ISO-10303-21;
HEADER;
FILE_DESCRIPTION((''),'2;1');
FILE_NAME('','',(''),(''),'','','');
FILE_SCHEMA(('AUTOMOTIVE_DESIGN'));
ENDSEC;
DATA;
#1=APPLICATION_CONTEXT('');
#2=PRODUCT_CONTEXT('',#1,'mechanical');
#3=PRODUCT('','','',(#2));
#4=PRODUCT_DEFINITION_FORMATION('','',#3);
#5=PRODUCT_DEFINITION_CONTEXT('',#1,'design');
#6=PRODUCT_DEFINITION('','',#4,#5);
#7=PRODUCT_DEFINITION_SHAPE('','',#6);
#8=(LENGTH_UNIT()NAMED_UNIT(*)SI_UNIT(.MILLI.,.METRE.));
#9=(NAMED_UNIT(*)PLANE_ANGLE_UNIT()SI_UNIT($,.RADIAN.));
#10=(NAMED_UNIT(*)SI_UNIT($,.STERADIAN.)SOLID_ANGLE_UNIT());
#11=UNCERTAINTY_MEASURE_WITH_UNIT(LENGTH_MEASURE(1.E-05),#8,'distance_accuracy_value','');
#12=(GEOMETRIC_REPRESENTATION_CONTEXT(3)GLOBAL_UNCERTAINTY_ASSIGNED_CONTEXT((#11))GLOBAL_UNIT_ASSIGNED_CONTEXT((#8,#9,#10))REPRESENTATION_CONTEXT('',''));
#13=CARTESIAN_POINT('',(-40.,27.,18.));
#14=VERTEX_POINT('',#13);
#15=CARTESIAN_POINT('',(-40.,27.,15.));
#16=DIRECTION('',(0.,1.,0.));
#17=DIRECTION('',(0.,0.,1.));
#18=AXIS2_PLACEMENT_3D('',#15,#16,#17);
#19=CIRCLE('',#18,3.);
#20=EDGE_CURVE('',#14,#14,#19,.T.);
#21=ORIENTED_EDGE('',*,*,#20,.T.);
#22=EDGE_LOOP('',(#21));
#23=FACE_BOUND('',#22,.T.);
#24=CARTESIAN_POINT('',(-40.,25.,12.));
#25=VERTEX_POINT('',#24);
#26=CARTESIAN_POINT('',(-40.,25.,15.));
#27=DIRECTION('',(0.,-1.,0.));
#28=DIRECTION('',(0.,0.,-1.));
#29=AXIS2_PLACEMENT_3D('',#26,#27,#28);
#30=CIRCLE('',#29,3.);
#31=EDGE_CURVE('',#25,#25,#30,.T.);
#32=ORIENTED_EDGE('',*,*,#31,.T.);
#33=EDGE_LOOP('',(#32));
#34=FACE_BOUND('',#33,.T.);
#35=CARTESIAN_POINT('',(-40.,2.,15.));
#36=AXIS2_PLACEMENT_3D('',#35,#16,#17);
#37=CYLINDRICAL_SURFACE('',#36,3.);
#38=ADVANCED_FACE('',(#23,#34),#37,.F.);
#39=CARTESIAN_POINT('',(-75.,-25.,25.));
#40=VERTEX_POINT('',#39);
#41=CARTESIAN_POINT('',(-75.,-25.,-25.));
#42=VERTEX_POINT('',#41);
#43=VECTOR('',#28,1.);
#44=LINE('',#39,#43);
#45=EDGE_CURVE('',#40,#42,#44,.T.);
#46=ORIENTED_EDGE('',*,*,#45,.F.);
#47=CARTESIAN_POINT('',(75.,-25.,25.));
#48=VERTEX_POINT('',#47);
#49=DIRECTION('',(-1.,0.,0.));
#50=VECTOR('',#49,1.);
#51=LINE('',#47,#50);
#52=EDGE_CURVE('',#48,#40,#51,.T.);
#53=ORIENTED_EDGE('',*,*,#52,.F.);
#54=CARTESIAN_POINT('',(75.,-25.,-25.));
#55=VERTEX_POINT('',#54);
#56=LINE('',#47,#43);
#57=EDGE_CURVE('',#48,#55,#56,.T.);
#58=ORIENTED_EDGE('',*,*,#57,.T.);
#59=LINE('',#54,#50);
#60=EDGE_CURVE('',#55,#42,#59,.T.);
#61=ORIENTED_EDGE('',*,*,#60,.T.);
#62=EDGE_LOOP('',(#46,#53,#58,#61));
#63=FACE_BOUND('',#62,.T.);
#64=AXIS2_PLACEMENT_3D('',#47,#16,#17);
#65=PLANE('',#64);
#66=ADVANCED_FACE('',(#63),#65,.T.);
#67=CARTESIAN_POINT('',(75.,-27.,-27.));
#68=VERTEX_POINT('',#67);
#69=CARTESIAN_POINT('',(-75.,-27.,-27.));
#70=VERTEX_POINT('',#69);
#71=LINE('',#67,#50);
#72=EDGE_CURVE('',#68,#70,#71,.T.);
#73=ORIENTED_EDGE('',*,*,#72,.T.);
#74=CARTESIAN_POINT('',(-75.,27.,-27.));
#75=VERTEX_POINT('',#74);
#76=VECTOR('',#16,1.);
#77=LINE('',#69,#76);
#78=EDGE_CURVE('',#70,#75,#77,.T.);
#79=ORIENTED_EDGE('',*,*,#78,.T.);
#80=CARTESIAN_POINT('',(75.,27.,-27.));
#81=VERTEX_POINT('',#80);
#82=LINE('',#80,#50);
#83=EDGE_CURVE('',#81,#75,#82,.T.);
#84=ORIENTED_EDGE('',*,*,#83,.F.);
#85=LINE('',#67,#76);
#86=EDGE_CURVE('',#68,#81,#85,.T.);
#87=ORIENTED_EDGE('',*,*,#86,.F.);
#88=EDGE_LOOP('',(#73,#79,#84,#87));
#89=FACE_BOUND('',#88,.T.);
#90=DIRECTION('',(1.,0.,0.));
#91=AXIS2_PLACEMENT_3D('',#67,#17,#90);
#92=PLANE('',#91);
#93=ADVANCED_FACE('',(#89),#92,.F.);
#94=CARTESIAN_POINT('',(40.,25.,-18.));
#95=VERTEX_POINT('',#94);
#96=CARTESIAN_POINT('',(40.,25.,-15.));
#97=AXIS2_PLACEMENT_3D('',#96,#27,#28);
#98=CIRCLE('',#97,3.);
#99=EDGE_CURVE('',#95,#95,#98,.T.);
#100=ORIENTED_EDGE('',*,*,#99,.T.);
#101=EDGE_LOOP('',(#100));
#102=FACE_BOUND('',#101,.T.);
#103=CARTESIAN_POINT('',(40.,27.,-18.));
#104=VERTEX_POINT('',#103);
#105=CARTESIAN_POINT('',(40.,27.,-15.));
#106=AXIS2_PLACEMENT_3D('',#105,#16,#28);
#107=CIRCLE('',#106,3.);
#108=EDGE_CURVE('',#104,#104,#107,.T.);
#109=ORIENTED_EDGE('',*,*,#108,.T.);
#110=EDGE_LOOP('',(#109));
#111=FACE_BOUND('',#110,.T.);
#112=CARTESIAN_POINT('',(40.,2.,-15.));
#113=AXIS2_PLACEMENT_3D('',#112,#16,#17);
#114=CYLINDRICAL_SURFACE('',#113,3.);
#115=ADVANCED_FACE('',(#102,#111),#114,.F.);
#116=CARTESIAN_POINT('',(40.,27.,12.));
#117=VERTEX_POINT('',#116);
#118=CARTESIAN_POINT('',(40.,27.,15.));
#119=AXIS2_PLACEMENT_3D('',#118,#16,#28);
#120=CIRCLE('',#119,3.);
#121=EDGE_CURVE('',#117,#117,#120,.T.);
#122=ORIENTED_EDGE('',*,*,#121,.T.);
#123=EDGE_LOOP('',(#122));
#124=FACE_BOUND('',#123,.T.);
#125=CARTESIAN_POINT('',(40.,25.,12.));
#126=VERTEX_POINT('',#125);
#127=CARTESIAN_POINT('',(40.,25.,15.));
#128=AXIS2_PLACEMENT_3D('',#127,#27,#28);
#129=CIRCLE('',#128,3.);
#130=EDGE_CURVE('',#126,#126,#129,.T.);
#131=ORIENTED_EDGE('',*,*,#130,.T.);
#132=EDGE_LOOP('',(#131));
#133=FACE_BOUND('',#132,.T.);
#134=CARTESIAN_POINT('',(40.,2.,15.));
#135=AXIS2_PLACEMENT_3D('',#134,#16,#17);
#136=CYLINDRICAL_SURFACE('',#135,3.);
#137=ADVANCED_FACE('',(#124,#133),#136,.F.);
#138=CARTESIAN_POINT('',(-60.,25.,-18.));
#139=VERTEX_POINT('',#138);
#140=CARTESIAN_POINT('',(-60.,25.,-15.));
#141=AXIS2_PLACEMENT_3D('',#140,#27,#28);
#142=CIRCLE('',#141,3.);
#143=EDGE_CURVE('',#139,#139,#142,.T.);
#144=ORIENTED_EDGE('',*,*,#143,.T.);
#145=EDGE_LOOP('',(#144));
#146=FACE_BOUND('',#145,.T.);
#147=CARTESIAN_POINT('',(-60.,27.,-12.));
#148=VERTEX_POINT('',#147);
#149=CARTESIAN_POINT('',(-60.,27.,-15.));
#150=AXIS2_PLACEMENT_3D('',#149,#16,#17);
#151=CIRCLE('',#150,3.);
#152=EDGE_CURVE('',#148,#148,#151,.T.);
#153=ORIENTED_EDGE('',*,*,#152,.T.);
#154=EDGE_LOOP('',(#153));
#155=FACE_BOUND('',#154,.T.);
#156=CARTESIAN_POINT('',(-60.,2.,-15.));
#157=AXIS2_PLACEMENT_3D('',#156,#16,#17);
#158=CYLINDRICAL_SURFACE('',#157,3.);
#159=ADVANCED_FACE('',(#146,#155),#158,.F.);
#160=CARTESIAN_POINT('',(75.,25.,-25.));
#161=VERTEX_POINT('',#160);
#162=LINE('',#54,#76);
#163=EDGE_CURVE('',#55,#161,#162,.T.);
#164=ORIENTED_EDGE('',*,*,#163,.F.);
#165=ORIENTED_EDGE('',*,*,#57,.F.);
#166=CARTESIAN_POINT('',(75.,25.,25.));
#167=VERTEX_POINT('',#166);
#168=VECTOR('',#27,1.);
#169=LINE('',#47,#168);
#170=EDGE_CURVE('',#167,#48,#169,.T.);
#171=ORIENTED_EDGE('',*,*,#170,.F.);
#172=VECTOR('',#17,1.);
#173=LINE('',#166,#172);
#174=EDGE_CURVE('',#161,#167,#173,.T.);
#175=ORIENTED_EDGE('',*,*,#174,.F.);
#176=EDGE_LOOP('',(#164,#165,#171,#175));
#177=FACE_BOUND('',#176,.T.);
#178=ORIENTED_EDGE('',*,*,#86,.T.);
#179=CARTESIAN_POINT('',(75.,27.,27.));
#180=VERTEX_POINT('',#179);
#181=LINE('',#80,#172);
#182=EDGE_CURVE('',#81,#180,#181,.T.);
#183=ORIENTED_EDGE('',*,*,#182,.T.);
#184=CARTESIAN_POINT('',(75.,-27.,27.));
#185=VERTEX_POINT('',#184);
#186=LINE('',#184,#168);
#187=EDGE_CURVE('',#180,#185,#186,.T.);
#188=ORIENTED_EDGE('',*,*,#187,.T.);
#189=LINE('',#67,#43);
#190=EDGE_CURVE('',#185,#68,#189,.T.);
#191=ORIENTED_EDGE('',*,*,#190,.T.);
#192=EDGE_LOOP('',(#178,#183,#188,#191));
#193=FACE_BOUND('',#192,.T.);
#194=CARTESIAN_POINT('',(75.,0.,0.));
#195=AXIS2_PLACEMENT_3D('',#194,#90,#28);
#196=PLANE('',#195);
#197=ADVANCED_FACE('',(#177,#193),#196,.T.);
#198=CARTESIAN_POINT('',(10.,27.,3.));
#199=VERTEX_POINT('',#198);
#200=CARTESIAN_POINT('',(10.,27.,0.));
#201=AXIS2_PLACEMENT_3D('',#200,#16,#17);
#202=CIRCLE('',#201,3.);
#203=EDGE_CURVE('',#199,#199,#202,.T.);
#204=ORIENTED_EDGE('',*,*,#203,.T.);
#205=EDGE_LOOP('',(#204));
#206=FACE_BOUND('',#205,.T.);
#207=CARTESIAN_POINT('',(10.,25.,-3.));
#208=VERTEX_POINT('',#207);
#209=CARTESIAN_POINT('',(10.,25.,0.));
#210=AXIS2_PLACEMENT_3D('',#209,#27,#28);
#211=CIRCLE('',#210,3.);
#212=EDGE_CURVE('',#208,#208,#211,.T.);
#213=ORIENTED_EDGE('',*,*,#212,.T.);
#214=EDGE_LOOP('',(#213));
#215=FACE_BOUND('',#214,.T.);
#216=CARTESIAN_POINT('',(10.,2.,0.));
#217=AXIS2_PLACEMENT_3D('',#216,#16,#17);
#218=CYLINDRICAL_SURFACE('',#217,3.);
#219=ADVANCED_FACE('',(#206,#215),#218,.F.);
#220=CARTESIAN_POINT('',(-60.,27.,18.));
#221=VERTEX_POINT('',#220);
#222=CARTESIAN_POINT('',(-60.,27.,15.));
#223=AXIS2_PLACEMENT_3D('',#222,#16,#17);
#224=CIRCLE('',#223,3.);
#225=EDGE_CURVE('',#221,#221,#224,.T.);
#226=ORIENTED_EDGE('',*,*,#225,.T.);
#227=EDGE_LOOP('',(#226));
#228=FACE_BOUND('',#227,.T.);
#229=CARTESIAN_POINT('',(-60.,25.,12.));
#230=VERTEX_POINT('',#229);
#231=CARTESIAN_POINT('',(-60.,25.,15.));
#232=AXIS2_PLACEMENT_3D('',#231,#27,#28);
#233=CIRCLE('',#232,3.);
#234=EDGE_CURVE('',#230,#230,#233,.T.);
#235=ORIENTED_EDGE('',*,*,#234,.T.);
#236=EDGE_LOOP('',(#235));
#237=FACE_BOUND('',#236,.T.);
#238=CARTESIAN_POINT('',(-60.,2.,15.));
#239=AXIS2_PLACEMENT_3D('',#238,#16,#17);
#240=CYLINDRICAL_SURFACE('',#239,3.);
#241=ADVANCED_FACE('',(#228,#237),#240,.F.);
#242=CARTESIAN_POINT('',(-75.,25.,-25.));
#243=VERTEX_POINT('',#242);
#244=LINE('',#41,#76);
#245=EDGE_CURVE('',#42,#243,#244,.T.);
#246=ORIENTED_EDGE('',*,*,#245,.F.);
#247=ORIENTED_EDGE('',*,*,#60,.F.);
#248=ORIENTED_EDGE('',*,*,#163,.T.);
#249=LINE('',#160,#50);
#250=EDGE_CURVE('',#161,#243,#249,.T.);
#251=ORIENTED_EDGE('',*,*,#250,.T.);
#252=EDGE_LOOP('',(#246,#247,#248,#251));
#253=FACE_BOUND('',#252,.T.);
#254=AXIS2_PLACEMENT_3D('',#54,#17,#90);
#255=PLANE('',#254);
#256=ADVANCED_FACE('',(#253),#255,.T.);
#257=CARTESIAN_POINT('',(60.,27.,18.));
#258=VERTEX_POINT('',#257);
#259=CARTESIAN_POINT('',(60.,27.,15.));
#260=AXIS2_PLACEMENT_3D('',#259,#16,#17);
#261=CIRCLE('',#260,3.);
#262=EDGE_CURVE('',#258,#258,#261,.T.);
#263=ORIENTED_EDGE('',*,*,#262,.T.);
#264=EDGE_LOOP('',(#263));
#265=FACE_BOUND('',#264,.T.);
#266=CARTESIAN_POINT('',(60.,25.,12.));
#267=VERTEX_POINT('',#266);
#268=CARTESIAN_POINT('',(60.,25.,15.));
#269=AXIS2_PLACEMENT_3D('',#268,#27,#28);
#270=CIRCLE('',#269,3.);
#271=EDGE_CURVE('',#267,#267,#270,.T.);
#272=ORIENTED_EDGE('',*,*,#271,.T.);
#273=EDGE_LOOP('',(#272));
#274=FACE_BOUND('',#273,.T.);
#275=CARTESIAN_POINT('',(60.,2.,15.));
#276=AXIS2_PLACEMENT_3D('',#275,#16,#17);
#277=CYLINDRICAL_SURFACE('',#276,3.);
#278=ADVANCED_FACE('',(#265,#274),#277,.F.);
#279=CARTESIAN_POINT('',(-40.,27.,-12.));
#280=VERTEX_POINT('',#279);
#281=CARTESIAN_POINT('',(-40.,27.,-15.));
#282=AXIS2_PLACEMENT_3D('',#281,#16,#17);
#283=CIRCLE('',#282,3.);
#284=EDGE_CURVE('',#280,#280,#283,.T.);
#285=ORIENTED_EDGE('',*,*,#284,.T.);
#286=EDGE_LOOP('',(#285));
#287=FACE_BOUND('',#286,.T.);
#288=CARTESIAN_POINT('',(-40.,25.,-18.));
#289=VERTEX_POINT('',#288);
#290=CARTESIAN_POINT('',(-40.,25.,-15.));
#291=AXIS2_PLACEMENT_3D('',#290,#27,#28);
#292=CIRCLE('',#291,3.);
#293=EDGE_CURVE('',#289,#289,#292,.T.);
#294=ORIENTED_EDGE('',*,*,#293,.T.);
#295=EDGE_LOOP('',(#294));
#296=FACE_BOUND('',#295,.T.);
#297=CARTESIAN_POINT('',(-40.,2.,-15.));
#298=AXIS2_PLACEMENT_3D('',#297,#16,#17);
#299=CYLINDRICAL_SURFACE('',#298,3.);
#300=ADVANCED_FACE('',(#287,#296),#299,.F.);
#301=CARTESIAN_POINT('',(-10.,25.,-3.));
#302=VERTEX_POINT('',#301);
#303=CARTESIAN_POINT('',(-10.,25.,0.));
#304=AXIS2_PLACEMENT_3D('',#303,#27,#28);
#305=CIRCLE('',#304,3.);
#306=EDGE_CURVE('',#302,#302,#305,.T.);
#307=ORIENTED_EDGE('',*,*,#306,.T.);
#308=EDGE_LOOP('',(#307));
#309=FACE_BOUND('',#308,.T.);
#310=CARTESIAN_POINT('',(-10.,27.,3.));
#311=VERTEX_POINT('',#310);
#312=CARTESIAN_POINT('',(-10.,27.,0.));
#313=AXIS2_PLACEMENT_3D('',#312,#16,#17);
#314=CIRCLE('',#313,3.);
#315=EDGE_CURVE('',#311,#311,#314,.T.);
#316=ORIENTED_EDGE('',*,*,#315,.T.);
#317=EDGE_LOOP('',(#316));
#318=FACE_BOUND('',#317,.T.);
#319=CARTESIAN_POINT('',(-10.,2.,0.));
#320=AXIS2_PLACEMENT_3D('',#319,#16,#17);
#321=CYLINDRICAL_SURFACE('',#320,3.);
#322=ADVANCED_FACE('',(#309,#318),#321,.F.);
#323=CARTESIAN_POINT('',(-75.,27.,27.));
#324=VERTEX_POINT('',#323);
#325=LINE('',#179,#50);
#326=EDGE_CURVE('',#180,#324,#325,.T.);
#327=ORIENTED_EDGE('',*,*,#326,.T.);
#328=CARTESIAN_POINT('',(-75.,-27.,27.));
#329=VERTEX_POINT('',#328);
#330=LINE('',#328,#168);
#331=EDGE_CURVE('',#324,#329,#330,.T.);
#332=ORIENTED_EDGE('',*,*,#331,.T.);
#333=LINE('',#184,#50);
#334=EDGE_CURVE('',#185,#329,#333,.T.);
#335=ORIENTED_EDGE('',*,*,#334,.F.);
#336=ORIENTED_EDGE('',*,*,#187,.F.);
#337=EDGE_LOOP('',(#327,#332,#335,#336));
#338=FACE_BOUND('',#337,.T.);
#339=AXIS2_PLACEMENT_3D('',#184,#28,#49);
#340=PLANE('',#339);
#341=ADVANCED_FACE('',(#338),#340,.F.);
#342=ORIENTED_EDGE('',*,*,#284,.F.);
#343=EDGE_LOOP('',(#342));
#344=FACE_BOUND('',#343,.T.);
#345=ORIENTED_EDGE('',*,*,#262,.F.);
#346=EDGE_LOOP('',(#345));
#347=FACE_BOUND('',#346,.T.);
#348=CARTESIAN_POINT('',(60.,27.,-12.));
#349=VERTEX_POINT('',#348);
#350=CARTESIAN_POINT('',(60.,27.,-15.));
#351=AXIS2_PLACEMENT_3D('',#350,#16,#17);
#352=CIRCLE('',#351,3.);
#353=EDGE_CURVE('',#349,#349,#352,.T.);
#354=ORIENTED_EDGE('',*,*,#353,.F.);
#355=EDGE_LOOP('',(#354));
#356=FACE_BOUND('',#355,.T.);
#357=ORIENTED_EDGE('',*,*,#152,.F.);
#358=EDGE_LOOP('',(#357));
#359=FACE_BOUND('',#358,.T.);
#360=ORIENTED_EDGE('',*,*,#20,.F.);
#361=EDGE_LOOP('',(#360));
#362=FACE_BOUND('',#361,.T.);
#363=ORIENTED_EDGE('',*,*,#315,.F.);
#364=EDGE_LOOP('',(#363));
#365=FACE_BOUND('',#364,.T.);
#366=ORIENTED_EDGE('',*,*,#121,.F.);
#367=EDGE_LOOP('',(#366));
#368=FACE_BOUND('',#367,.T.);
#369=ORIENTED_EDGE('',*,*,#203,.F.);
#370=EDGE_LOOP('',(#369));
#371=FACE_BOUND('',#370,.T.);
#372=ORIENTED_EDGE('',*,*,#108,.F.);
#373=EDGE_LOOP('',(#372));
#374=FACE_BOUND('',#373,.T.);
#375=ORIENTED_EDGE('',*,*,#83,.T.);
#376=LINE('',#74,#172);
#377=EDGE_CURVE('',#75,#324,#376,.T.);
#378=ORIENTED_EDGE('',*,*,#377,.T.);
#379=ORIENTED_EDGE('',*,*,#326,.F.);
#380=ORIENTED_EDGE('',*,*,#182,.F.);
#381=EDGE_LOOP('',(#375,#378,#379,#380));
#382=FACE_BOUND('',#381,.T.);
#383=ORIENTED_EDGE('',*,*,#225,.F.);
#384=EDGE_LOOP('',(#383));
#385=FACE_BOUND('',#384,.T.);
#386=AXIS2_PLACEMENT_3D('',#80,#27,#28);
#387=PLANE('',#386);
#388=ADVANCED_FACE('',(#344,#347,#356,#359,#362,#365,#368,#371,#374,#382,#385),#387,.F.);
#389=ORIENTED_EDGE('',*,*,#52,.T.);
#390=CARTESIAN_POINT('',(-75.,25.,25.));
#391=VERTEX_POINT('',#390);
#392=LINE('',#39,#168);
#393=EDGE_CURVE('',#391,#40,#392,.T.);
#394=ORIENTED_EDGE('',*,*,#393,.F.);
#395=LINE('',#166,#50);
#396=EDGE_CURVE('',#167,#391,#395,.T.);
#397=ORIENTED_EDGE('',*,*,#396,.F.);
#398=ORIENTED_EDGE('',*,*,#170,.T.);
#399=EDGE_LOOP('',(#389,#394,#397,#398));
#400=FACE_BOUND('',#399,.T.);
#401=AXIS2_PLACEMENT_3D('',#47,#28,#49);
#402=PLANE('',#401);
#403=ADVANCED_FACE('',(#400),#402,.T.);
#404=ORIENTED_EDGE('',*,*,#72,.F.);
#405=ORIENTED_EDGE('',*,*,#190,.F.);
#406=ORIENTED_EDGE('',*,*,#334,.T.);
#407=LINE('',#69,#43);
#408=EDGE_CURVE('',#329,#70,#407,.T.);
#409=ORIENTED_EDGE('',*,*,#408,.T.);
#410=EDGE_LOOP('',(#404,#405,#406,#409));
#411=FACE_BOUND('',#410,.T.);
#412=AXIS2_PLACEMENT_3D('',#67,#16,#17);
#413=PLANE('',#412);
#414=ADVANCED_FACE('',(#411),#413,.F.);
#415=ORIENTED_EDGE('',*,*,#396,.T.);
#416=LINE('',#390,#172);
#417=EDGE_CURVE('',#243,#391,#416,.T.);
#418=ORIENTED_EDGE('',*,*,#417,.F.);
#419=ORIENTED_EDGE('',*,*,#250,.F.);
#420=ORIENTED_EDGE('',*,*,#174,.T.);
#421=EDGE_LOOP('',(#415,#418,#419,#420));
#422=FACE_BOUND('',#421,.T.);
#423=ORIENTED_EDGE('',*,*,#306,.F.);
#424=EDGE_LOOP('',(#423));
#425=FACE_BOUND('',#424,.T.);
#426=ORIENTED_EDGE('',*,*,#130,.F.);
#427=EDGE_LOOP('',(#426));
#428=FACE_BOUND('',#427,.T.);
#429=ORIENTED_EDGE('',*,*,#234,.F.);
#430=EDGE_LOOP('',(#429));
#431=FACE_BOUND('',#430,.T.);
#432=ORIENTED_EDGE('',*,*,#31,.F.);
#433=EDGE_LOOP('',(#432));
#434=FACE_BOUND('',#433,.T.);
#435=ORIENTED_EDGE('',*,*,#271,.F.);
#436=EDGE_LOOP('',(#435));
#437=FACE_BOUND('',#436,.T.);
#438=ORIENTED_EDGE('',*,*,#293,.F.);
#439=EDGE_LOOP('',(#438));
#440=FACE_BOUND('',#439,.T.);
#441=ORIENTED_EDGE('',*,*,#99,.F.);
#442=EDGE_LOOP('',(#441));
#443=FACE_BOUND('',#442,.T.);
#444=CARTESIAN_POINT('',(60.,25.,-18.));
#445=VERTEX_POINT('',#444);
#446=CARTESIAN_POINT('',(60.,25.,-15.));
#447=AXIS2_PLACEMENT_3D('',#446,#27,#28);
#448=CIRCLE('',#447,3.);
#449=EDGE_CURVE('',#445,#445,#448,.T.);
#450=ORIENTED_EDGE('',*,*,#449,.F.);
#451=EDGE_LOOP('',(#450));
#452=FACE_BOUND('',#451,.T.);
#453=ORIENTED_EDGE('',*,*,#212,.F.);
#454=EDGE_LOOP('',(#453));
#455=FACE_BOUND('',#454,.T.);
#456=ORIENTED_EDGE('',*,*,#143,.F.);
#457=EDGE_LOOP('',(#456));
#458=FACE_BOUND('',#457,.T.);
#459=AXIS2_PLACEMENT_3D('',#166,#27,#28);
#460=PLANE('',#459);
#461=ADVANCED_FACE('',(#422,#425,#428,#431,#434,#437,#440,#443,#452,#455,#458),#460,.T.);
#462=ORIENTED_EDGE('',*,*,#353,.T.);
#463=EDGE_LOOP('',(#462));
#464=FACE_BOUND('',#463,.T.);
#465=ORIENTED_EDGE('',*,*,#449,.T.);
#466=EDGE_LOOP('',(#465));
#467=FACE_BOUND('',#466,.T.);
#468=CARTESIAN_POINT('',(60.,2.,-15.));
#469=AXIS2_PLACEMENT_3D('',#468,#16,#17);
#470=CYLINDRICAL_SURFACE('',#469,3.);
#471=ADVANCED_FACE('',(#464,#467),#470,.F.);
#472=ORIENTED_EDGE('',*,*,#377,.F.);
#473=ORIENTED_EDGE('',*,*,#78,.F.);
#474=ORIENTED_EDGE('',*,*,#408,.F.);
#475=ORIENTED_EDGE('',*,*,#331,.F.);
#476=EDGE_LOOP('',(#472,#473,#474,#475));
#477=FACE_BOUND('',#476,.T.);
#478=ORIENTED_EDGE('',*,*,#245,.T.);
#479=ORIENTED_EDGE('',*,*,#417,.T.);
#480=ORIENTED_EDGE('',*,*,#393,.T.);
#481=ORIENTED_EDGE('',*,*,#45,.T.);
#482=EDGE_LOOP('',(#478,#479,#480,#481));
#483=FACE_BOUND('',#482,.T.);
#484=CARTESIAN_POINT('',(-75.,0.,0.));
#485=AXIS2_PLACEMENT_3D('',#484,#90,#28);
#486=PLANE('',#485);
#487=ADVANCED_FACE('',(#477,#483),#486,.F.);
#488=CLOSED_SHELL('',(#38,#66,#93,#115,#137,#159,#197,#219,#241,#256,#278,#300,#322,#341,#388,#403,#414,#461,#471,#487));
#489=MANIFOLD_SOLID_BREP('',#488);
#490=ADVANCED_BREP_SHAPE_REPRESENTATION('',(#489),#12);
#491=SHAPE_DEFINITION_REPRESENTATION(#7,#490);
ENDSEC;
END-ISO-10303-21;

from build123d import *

# Parameters (mm, degrees)
SKETCH1_W           = 54
SKETCH1_H           = 54
SKETCH1_W_2         = 50
SKETCH1_H_2         = 50
BOSS_EXTRUDE1_DEPTH = 75
SKETCH2_R           = 3
CUT_EXTRUDE1_DEPTH  = 25
SKETCH3_R           = 3
CUT_EXTRUDE2_DEPTH  = 25


with BuildPart() as part:
    # Sketch1 → Boss-Extrude1 (new, symmetric)
    with BuildSketch(Plane(origin=(0, 0, 0), x_dir=(0, 0, -1), z_dir=(1, 0, 0))):
        Rectangle(SKETCH1_W, SKETCH1_H)
        Rectangle(SKETCH1_W_2, SKETCH1_H_2, mode=Mode.SUBTRACT)
    extrude(amount=BOSS_EXTRUDE1_DEPTH, both=True)

    # Sketch2 → Cut-Extrude1 (cut)
    with BuildSketch(Plane(origin=(0, 27, 0), x_dir=(1, 0, 0), z_dir=(0, 1, 0))):
        with Locations(Location((-60, 15, 0), (0, 0, 270))):
            Circle(SKETCH2_R)
        with Locations(Location((-60, -15, 0), (0, 0, 270))):
            Circle(SKETCH2_R)
        with Locations(Location((60, 15, 0), (0, 0, 270))):
            Circle(SKETCH2_R)
        with Locations(Location((60, -15, 0), (0, 0, 270))):
            Circle(SKETCH2_R)
        with Locations(Location((-40, -15, 0), (0, 0, 270))):
            Circle(SKETCH2_R)
        with Locations(Location((-40, 15, 0), (0, 0, 270))):
            Circle(SKETCH2_R)
        with Locations(Location((40, -15, 0), (0, 0, 90))):
            Circle(SKETCH2_R)
        with Locations(Location((40, 15, 0), (0, 0, 90))):
            Circle(SKETCH2_R)
    extrude(amount=-CUT_EXTRUDE1_DEPTH, mode=Mode.SUBTRACT)

    # Sketch3 → Cut-Extrude2 (cut)
    with BuildSketch(Plane(origin=(0, 27, 0), x_dir=(1, 0, 0), z_dir=(0, 1, 0))):
        with Locations(Location((-10, 0, 0), (0, 0, 270))):
            Circle(SKETCH3_R)
        with Locations(Location((10, 0, 0), (0, 0, 270))):
            Circle(SKETCH3_R)
    extrude(amount=-CUT_EXTRUDE2_DEPTH, mode=Mode.SUBTRACT)


solid = part.part
